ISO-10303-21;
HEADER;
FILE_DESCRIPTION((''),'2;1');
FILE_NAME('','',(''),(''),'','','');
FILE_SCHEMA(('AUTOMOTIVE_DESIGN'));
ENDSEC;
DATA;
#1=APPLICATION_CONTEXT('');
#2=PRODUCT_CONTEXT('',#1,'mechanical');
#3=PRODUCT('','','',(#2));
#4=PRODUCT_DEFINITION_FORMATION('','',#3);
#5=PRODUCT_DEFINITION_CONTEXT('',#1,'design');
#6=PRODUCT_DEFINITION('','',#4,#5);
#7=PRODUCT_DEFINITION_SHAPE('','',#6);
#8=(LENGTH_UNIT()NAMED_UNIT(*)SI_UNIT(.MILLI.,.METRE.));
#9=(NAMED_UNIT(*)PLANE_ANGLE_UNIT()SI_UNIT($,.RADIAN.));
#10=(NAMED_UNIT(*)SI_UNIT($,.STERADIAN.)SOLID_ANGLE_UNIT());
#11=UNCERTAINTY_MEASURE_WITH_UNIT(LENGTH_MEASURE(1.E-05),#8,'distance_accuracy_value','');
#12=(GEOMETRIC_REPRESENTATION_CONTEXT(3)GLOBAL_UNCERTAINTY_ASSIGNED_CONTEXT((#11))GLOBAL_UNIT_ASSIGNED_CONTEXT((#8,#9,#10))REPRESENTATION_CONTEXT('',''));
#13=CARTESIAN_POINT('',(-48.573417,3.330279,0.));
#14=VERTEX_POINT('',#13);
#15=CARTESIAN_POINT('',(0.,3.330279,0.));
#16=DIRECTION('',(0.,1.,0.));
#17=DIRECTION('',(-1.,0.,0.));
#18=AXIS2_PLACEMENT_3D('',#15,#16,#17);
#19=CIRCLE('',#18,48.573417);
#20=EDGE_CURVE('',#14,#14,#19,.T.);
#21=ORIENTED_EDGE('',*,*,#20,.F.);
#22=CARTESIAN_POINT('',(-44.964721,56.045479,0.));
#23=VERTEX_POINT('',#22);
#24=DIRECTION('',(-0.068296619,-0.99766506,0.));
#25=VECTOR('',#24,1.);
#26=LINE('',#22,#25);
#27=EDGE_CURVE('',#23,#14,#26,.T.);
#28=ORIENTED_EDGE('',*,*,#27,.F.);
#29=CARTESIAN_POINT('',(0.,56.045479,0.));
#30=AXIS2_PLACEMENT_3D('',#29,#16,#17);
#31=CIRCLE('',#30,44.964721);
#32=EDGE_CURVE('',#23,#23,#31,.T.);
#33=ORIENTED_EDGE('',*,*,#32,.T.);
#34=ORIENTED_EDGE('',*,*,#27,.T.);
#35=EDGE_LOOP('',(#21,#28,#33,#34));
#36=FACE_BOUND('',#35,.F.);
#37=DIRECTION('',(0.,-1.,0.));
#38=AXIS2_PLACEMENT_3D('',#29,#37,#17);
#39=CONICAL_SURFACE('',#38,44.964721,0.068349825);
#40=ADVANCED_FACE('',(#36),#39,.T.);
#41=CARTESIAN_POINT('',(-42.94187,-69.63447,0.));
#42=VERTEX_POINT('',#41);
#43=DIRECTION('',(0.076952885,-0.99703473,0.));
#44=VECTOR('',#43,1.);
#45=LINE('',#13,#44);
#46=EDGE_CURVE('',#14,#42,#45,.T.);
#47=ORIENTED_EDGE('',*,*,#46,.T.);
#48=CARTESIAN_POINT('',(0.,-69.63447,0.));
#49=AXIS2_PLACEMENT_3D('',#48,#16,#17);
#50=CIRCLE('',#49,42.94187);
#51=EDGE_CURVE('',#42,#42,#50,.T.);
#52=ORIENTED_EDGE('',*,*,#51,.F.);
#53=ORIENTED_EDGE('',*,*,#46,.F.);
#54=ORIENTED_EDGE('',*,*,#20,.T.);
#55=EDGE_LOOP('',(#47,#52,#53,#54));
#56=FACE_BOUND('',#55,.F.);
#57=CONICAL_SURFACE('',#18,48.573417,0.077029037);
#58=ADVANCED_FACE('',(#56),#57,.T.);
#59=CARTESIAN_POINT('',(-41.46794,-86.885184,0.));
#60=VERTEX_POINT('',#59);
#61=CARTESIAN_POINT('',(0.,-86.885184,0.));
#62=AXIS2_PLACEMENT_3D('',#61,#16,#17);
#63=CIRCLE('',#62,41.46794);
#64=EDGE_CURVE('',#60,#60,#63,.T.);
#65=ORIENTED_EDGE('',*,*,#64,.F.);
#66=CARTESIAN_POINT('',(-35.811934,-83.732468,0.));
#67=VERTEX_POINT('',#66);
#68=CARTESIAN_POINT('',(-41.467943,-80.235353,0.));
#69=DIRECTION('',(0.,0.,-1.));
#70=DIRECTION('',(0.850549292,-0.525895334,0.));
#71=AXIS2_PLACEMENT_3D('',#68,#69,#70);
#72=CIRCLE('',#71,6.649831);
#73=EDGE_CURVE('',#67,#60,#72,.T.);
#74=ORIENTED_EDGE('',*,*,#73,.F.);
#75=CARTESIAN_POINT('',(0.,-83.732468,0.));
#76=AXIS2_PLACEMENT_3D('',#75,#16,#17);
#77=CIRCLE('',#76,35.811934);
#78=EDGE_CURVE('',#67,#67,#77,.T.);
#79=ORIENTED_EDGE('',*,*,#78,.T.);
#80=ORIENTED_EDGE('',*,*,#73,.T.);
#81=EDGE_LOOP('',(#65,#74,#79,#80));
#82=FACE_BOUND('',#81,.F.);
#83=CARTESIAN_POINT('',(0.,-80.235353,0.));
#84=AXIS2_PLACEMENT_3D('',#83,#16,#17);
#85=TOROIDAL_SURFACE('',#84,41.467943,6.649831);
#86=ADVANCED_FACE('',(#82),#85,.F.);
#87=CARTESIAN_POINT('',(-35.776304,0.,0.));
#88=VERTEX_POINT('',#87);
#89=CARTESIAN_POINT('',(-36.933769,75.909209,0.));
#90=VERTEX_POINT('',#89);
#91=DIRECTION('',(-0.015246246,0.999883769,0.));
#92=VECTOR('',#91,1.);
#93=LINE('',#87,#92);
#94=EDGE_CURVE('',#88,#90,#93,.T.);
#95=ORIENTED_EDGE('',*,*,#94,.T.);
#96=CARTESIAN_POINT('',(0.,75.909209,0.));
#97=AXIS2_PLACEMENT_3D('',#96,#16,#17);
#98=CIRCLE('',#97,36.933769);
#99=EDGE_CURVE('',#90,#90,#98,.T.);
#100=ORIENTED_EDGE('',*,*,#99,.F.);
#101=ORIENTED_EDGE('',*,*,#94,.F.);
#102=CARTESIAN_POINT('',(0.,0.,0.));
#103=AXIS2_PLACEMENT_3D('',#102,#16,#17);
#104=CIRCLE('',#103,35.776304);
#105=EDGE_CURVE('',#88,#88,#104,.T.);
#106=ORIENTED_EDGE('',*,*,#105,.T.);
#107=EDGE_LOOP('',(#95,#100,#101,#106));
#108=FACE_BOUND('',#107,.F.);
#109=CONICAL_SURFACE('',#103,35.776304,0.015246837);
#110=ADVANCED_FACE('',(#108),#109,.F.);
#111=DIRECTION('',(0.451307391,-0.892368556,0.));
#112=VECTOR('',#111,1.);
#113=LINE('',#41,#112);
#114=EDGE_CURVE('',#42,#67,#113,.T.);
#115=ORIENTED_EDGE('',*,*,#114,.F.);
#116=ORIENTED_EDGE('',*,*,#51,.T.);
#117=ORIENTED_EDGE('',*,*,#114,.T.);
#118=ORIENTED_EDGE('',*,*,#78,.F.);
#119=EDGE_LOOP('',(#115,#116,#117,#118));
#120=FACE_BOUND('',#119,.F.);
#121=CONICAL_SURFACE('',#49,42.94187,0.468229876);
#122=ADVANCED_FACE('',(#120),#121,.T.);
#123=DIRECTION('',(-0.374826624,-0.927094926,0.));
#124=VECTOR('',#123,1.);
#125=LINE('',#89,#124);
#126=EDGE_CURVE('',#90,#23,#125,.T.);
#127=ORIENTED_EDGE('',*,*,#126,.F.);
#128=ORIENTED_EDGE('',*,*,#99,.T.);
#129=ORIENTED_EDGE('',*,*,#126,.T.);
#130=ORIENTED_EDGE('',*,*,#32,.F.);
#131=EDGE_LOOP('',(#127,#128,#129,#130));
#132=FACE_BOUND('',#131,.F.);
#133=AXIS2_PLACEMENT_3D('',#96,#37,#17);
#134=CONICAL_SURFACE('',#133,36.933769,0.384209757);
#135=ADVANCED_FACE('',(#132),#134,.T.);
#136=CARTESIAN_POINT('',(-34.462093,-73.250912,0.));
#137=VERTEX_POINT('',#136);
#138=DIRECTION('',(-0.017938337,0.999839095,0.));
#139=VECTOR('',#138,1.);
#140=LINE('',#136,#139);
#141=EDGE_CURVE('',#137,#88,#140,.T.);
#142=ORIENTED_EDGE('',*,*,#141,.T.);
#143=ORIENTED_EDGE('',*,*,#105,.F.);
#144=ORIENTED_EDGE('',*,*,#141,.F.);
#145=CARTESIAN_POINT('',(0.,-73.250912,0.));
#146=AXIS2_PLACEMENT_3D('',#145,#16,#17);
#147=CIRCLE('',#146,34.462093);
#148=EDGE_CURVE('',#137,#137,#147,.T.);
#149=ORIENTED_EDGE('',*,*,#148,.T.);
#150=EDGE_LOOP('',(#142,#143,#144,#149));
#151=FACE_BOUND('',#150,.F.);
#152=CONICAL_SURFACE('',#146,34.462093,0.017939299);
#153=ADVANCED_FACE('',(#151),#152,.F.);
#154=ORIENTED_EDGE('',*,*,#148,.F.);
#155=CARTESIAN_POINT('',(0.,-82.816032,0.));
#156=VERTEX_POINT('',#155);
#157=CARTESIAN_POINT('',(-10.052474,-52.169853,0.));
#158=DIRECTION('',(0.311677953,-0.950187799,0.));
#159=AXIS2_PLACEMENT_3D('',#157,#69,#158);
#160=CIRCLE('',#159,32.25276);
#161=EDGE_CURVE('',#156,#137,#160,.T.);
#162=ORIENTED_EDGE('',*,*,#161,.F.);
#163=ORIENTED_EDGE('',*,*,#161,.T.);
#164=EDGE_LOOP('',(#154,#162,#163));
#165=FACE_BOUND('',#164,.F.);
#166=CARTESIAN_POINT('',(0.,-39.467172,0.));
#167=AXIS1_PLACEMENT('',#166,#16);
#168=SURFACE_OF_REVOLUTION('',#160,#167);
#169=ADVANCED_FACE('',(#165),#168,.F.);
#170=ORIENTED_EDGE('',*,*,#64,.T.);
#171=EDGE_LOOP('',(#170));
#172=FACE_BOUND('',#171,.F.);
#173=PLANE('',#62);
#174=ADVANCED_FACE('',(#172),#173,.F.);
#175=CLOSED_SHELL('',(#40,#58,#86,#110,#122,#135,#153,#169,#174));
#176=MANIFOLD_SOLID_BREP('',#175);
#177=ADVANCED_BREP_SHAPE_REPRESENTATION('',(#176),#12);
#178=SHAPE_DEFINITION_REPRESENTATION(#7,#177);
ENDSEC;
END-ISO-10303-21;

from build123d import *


with BuildPart() as f1:
    # F0 (on Top) → F1 (revolve)
    with BuildSketch(Plane.XY):
        Polygon((-35.776304, 0), (-36.933769, 75.909209), (-44.964721, 56.045479), (-48.573417, 3.330279), (-42.94187, -69.63447), (-35.811934, -83.732468), (-34.217477, -86.885184), (-34.462093, -73.250912), align=None)
        with BuildLine():
            ThreePointArc((0, -82.816032), (-18.678295, -83.247751), (-34.462093, -73.250912))
            Line((-34.462093, -73.250912), (-34.217477, -86.885184))
            Line((-34.217477, -86.885184), (0, -86.885184))
            Line((0, -86.885184), (0, -82.816032))
        make_face()
        with BuildLine():
            Line((-41.46794, -86.885184), (-34.217477, -86.885184))
            Line((-34.217477, -86.885184), (-35.811934, -83.732468))
            ThreePointArc((-35.811934, -83.732468), (-38.230271, -86.043772), (-41.46794, -86.885184))
        make_face()
    revolve(axis=Axis((0, -39.467172, 0), (0, 1, 0)))


solid = f1.part
